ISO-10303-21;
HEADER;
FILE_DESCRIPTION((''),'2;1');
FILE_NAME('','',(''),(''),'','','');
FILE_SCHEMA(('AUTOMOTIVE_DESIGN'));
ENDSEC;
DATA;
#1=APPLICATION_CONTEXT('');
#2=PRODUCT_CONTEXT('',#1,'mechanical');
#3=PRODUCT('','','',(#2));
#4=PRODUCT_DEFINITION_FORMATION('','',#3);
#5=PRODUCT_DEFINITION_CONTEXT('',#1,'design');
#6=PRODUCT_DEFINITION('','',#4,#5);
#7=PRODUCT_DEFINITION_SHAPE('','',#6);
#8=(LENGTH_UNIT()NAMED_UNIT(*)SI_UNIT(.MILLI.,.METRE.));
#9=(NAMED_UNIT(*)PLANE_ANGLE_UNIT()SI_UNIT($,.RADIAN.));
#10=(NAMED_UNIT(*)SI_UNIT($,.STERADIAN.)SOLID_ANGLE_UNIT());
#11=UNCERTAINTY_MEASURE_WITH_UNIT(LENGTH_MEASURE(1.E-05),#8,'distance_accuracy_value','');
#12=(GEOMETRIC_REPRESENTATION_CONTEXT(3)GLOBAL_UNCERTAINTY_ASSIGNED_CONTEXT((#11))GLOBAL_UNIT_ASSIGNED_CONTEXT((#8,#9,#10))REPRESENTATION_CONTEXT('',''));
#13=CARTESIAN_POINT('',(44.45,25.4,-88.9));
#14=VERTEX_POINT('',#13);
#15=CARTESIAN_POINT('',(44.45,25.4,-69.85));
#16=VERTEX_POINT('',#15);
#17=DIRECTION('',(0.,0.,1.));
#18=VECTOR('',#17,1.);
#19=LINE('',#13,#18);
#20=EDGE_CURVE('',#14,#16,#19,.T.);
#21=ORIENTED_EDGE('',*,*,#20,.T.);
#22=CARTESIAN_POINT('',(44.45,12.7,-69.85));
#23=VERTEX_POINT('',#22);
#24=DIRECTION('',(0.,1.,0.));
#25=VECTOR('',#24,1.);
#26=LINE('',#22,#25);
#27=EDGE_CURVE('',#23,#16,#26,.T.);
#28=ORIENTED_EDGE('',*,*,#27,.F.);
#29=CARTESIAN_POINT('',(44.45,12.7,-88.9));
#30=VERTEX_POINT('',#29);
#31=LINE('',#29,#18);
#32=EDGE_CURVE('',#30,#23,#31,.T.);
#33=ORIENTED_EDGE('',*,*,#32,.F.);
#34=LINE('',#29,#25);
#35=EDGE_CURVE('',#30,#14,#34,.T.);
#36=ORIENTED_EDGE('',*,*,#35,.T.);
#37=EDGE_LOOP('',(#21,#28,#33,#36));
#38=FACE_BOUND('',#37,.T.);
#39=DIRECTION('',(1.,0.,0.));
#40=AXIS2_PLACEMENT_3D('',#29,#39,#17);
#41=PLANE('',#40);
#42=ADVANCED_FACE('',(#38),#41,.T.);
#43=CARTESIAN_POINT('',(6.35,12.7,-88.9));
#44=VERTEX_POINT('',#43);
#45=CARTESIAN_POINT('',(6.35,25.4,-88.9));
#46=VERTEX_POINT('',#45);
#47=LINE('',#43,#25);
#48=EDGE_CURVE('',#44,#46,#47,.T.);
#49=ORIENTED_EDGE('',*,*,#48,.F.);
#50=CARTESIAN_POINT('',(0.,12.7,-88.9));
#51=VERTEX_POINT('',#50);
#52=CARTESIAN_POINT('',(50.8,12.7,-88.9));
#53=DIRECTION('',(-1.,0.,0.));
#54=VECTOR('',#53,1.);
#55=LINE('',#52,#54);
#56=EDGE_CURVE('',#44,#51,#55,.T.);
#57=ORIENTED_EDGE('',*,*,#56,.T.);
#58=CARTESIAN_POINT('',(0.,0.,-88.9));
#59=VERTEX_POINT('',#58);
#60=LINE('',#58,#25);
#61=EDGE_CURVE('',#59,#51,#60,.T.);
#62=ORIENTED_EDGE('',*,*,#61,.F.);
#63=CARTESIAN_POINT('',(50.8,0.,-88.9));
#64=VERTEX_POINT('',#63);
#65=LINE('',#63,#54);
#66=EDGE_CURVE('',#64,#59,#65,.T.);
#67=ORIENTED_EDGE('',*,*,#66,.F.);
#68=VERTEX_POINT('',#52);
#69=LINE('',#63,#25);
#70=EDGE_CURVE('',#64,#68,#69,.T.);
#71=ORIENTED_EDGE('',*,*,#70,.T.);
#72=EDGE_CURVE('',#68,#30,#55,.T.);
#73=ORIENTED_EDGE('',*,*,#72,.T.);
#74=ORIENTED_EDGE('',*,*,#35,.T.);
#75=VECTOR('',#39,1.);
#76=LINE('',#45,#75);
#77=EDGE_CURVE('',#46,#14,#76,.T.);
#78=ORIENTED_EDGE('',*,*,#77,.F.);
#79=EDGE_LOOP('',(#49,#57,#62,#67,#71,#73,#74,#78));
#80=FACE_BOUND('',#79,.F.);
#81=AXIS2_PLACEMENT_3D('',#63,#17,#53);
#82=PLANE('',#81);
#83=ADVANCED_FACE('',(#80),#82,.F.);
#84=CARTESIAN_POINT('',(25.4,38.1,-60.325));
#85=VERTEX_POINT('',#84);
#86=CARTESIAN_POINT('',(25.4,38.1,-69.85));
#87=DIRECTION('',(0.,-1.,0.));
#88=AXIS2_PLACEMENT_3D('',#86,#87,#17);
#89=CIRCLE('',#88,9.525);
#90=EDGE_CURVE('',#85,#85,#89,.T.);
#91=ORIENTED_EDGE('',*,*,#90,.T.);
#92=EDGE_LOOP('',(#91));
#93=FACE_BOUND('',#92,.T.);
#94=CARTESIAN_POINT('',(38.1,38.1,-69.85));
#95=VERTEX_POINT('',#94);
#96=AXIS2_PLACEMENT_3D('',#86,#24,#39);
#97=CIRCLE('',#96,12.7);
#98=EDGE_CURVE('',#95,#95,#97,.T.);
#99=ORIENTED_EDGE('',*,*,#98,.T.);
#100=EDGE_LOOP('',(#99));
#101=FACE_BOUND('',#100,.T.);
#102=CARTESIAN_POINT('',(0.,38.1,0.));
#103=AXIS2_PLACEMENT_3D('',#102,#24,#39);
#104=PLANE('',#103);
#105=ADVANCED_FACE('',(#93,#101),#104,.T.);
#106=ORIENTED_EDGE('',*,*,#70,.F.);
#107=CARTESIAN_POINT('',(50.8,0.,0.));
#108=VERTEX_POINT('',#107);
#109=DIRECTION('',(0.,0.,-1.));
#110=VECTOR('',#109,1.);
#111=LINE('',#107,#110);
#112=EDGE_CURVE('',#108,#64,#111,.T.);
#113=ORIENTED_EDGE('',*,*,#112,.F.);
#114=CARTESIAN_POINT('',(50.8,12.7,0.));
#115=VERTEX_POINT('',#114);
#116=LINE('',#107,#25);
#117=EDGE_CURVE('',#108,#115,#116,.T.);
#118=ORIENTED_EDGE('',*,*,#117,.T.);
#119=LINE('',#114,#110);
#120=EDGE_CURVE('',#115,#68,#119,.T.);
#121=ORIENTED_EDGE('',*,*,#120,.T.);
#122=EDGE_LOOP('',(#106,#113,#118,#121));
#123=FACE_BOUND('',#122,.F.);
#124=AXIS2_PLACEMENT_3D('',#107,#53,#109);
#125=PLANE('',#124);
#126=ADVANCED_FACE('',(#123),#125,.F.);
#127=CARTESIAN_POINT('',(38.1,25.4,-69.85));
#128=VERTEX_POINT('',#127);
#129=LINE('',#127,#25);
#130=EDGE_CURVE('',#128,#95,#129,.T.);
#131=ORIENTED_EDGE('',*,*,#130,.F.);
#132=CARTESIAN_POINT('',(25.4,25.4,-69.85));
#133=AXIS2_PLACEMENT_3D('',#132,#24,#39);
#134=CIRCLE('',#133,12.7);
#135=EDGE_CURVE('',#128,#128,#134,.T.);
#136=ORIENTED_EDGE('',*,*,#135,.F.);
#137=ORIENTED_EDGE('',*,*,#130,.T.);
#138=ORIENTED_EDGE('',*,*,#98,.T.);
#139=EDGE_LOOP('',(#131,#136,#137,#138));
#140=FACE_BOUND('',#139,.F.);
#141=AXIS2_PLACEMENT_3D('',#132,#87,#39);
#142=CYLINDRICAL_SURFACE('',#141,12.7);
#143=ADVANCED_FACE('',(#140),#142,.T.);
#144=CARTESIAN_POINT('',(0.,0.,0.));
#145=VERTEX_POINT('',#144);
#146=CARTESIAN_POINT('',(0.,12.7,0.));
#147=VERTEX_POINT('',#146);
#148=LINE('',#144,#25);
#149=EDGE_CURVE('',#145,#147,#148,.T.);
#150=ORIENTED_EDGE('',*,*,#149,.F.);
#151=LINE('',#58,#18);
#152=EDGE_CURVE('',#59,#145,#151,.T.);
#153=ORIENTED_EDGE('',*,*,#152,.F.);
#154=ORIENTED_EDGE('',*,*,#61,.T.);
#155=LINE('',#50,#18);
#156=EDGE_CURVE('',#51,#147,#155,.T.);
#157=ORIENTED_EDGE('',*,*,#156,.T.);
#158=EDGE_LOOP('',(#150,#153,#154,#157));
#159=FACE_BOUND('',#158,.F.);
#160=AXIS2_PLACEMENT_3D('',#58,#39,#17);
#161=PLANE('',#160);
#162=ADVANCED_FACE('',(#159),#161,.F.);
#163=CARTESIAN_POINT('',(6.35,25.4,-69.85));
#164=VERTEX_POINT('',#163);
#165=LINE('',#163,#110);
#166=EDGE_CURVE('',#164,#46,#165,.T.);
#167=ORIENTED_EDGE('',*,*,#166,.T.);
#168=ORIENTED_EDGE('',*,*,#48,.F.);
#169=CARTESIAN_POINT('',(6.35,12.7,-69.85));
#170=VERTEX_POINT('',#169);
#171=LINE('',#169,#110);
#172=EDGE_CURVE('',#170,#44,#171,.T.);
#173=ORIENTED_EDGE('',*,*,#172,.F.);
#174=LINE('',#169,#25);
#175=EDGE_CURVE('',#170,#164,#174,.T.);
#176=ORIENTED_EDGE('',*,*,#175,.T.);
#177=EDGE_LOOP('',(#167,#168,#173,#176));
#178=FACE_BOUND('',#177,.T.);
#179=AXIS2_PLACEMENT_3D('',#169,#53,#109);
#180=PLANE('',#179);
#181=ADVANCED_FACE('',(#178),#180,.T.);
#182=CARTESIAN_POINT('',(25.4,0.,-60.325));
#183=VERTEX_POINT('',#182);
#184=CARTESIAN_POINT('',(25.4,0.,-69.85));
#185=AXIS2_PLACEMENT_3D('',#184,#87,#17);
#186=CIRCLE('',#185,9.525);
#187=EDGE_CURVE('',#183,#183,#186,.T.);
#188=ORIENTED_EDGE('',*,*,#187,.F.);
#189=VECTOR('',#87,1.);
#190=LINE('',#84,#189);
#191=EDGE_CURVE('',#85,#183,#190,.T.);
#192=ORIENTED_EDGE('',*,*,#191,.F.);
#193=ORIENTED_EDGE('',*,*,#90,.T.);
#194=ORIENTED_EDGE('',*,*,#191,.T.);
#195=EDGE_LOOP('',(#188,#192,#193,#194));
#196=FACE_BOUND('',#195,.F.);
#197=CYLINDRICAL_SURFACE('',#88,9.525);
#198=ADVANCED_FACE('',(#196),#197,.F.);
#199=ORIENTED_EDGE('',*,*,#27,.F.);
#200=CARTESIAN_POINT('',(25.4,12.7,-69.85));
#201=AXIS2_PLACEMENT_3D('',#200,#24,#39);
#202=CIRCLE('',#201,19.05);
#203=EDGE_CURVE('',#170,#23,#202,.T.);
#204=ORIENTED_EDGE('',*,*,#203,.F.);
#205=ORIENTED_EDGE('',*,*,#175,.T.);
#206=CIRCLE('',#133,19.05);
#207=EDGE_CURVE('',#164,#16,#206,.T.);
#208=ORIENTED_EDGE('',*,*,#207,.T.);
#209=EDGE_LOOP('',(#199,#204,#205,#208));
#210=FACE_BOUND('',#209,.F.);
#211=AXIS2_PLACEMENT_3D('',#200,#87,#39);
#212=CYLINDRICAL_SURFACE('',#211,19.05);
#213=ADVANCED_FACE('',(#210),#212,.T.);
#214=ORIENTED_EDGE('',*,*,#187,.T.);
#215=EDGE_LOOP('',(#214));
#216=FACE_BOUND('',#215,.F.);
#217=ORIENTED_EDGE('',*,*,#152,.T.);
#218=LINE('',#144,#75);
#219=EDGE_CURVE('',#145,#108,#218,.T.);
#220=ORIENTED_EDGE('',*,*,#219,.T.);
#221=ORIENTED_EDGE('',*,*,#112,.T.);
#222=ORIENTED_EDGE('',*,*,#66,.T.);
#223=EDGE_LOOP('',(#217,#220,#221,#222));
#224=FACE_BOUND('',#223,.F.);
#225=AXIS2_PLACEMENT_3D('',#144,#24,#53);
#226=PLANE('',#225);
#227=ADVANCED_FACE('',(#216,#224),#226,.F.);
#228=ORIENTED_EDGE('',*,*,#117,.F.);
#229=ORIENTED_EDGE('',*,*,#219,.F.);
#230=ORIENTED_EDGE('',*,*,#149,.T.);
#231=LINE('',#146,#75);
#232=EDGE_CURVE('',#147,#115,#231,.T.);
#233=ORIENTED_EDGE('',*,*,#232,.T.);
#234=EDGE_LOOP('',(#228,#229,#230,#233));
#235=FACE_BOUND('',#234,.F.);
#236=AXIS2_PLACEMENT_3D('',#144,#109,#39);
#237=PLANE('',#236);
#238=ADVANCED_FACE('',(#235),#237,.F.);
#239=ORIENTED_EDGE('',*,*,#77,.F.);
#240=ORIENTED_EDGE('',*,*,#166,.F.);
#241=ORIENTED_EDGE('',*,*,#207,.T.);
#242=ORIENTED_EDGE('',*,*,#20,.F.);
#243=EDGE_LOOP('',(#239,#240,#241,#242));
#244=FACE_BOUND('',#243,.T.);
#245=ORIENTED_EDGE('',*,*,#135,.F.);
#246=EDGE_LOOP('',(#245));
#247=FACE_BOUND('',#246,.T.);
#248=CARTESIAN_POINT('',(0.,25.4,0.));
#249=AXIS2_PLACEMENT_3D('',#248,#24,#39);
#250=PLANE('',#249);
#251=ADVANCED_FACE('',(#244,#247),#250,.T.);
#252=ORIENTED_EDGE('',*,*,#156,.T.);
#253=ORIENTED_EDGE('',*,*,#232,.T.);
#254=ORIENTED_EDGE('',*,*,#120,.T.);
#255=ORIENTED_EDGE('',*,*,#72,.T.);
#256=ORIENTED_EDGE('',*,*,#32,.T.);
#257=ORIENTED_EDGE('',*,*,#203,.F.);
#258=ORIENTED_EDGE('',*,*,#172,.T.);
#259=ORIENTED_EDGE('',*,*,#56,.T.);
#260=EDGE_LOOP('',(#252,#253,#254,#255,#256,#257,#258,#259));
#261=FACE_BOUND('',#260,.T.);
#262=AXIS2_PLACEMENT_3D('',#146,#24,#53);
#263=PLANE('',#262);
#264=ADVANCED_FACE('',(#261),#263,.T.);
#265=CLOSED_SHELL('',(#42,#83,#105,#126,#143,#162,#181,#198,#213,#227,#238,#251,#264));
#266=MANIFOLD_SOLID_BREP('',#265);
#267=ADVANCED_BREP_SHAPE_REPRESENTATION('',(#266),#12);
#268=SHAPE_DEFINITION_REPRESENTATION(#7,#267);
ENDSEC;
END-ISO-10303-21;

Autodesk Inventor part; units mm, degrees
ref_plane "YZ Plane" through (0, 0, 0) normal (1, 0, 0) x (0, 1, 0)
ref_plane "XZ Plane" through (0, 0, 0) normal (0, 1, 0) x (-1, 0, 0)
ref_plane "XY Plane" through (0, 0, 0) normal (0, 0, 1) x (1, 0, 0)
sketch "Sketch1" plane through (0, 0, 0) normal (0, 1, 0) x (-1, 0, 0)
  line L0 (0, 0) -> (-50.8, 0)
  line L1 (-50.8, 0) -> (-50.8, -88.9)
  line L2 (-50.8, -88.9) -> (0, -88.9)
  line L3 (0, -88.9) -> (0, 0)
  dimension "d0" = 50.8
  dimension "d1" = 88.9
extrude "Extrusion1" add sketch "Sketch1" along normal blind 12.7
sketch "Sketch2" plane through (0, 12.7, 0) normal (0, 1, 0) x (1, 0, 0)
  line L0 (50.8, 0) -> (50.8, 88.9) projected
  line L1 (50.8, 88.9) -> (0, 88.9) projected
  line L2 (0, 88.9) -> (0, 0) projected
  line L3 (6.35, 88.9) -> (44.45, 88.9)
  line L4 (44.45, 88.9) -> (44.45, 69.85)
  line L5 (44.45, 69.85) -> (6.35, 69.85)
  line L6 (6.35, 69.85) -> (6.35, 88.9)
  line L7 (6.35, 79.375) -> (0, 79.375) construction
  line L8 (44.45, 79.375) -> (50.8, 79.375) construction
  circle A0 centre (25.4, 69.85) radius 19.05
  dimension "d4" = 19.05
  dimension "d5" = 6.35
extrude "Extrusion2" add sketch "Sketch2" along normal blind 12.7
sketch "Sketch3" plane through (0, 25.4, 0) normal (0, 1, 0) x (1, 0, 0)
  arc A0 (6.35, 69.85) -> (44.45, 69.85) centre (25.4, 69.85) ccw projected
  circle A1 centre (25.4, 69.85) radius 12.7
  point P0 (0, 0)
  dimension "d8" = 25.4
extrude "Extrusion3" add sketch "Sketch3" along normal blind 12.7
sketch "Sketch6" plane through (0, 12.7, 0) normal (0, 1, 0) x (1, 0, 0)
  line L0 (44.45, 88.9) -> (44.45, 69.85) projected
  arc A0 (6.35, 69.85) -> (44.45, 69.85) centre (25.4, 69.85) ccw projected
  line L1 (6.35, 69.85) -> (6.35, 88.9) projected
  line L2 (6.35, 88.9) -> (0, 88.9) projected
  line L3 (0, 88.9) -> (0, 0) projected
  line L4 (0, 0) -> (50.8, 0) projected
  line L5 (50.8, 0) -> (50.8, 88.9) projected
  line L6 (50.8, 88.9) -> (44.45, 88.9) projected
  line L7 (44.45, 88.9) -> (44.45, 6.35) construction
  line L8 (44.45, 6.35) -> (6.35, 6.35) construction
  line L9 (6.35, 6.35) -> (6.35, 88.9) construction
  line L10 (6.35, 38.1) -> (44.45, 38.1) construction
  dimension "d35" = 6.35
  dimension "d36" = 31.75
hole "Hole3" at (25.4, 38.1, -69.85) direction (0, -1, 0) diameter 19.05 end through all
properties part number "Holes"
